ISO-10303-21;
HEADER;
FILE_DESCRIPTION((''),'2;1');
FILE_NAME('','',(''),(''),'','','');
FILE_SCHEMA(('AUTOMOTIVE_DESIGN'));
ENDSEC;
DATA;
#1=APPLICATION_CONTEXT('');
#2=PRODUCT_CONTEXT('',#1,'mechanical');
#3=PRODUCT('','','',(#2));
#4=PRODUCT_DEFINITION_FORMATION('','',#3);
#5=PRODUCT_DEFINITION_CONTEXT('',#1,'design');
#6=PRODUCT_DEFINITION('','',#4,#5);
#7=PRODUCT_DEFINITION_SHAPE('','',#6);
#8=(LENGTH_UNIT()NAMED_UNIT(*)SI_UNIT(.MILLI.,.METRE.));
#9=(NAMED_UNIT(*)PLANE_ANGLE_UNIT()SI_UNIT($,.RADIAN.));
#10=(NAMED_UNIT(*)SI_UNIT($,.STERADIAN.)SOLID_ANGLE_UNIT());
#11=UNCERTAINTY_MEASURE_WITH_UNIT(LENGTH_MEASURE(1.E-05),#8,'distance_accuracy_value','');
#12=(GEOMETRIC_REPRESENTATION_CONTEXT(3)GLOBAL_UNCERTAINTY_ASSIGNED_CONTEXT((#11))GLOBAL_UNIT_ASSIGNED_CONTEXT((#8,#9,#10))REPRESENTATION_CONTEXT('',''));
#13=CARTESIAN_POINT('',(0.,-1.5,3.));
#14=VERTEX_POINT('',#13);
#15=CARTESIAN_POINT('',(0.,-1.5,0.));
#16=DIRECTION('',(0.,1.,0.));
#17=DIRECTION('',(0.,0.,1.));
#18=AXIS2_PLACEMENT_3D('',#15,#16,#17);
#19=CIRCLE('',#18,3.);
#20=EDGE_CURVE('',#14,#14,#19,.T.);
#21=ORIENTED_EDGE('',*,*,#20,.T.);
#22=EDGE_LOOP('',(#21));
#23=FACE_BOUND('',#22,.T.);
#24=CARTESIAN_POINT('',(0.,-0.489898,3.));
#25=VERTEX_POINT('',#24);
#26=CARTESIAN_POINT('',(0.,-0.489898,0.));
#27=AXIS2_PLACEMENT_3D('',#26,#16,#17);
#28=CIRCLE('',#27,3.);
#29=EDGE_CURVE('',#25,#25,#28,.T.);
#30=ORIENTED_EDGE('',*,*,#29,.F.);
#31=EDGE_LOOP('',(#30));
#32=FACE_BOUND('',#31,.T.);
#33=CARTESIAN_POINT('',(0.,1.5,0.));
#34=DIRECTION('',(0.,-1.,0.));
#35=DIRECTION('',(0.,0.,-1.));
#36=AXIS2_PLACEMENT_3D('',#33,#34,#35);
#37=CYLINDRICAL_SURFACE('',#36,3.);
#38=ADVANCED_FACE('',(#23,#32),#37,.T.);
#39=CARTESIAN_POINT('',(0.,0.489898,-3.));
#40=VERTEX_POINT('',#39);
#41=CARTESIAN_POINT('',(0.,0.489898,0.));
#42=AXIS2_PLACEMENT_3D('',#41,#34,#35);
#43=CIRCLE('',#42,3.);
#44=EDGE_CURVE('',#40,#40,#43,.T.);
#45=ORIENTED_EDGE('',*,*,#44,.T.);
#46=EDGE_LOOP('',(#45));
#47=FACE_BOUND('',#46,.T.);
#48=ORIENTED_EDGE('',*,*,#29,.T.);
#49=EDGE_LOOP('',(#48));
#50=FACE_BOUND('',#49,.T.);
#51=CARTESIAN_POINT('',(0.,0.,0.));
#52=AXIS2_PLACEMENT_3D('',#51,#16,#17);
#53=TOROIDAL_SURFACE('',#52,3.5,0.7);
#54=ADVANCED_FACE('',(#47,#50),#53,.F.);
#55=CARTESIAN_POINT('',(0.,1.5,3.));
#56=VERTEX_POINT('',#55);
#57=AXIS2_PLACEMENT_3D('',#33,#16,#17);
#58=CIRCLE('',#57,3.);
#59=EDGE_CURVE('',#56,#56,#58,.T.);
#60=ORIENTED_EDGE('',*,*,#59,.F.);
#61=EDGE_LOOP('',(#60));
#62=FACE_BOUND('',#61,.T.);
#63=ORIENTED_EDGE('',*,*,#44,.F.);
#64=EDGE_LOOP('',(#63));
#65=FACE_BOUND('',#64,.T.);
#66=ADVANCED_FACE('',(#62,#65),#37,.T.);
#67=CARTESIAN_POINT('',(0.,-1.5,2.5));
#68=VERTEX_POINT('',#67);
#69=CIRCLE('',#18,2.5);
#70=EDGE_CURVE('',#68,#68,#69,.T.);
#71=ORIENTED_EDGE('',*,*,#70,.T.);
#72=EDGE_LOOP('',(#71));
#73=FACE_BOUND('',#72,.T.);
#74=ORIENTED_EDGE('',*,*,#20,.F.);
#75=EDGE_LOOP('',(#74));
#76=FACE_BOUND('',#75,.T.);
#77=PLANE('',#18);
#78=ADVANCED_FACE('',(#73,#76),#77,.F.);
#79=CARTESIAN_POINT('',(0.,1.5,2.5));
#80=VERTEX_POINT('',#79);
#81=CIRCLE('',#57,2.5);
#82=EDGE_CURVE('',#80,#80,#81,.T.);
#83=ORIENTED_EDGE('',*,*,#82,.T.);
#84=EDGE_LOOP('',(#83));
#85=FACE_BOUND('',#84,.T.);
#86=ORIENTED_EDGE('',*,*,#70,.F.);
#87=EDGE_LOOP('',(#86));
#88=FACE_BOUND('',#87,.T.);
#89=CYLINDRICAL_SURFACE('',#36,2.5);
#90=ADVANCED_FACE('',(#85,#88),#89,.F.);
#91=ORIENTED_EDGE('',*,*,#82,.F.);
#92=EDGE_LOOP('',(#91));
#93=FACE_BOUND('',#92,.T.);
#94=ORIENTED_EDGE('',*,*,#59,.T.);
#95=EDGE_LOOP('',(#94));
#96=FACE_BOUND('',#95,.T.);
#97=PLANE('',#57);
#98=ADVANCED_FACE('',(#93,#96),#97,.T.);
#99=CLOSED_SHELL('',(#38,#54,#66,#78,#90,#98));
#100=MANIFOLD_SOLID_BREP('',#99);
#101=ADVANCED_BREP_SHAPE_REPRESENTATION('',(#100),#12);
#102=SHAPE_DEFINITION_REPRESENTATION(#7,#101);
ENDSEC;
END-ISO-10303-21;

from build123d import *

# Parameters (mm, degrees)
DIAMETER_PROFILE_SKETCH_R     = 3
DIAMETER_PROFILE_SKETCH_R_2   = 2.5
DIAMETER_PROFILE_DEPTH        = 1.5
BEARING_PATH_PROFILE_SKETCH_R = 0.7


with BuildPart() as part:
    # Diameter Profile Sketch → Diameter Profile (new, symmetric)
    with BuildSketch(Plane(origin=(0, 0, 0), x_dir=(1, 0, 0), z_dir=(0, 1, 0))):
        with Locations(Location((0, 0, 0), (0, 0, 270))):
            Circle(DIAMETER_PROFILE_SKETCH_R)
        with Locations(Location((0, 0, 0), (0, 0, 270))):
            Circle(DIAMETER_PROFILE_SKETCH_R_2, mode=Mode.SUBTRACT)
    extrude(amount=DIAMETER_PROFILE_DEPTH, both=True)

    # Bearing Path Profile Sketch → Bearing Path Profile (revolve, cut)
    with BuildSketch(Plane.XY, mode=Mode.PRIVATE) as bearing_path_profile_sk:
        with Locations((3.5, 0)):
            Circle(BEARING_PATH_PROFILE_SKETCH_R)
    revolve(bearing_path_profile_sk.sketch.rotate(Axis((0, 1.5, 0), (0, -1, 0)), 90), axis=Axis((0, 1.5, 0), (0, -1, 0)), mode=Mode.SUBTRACT)


solid = part.part
